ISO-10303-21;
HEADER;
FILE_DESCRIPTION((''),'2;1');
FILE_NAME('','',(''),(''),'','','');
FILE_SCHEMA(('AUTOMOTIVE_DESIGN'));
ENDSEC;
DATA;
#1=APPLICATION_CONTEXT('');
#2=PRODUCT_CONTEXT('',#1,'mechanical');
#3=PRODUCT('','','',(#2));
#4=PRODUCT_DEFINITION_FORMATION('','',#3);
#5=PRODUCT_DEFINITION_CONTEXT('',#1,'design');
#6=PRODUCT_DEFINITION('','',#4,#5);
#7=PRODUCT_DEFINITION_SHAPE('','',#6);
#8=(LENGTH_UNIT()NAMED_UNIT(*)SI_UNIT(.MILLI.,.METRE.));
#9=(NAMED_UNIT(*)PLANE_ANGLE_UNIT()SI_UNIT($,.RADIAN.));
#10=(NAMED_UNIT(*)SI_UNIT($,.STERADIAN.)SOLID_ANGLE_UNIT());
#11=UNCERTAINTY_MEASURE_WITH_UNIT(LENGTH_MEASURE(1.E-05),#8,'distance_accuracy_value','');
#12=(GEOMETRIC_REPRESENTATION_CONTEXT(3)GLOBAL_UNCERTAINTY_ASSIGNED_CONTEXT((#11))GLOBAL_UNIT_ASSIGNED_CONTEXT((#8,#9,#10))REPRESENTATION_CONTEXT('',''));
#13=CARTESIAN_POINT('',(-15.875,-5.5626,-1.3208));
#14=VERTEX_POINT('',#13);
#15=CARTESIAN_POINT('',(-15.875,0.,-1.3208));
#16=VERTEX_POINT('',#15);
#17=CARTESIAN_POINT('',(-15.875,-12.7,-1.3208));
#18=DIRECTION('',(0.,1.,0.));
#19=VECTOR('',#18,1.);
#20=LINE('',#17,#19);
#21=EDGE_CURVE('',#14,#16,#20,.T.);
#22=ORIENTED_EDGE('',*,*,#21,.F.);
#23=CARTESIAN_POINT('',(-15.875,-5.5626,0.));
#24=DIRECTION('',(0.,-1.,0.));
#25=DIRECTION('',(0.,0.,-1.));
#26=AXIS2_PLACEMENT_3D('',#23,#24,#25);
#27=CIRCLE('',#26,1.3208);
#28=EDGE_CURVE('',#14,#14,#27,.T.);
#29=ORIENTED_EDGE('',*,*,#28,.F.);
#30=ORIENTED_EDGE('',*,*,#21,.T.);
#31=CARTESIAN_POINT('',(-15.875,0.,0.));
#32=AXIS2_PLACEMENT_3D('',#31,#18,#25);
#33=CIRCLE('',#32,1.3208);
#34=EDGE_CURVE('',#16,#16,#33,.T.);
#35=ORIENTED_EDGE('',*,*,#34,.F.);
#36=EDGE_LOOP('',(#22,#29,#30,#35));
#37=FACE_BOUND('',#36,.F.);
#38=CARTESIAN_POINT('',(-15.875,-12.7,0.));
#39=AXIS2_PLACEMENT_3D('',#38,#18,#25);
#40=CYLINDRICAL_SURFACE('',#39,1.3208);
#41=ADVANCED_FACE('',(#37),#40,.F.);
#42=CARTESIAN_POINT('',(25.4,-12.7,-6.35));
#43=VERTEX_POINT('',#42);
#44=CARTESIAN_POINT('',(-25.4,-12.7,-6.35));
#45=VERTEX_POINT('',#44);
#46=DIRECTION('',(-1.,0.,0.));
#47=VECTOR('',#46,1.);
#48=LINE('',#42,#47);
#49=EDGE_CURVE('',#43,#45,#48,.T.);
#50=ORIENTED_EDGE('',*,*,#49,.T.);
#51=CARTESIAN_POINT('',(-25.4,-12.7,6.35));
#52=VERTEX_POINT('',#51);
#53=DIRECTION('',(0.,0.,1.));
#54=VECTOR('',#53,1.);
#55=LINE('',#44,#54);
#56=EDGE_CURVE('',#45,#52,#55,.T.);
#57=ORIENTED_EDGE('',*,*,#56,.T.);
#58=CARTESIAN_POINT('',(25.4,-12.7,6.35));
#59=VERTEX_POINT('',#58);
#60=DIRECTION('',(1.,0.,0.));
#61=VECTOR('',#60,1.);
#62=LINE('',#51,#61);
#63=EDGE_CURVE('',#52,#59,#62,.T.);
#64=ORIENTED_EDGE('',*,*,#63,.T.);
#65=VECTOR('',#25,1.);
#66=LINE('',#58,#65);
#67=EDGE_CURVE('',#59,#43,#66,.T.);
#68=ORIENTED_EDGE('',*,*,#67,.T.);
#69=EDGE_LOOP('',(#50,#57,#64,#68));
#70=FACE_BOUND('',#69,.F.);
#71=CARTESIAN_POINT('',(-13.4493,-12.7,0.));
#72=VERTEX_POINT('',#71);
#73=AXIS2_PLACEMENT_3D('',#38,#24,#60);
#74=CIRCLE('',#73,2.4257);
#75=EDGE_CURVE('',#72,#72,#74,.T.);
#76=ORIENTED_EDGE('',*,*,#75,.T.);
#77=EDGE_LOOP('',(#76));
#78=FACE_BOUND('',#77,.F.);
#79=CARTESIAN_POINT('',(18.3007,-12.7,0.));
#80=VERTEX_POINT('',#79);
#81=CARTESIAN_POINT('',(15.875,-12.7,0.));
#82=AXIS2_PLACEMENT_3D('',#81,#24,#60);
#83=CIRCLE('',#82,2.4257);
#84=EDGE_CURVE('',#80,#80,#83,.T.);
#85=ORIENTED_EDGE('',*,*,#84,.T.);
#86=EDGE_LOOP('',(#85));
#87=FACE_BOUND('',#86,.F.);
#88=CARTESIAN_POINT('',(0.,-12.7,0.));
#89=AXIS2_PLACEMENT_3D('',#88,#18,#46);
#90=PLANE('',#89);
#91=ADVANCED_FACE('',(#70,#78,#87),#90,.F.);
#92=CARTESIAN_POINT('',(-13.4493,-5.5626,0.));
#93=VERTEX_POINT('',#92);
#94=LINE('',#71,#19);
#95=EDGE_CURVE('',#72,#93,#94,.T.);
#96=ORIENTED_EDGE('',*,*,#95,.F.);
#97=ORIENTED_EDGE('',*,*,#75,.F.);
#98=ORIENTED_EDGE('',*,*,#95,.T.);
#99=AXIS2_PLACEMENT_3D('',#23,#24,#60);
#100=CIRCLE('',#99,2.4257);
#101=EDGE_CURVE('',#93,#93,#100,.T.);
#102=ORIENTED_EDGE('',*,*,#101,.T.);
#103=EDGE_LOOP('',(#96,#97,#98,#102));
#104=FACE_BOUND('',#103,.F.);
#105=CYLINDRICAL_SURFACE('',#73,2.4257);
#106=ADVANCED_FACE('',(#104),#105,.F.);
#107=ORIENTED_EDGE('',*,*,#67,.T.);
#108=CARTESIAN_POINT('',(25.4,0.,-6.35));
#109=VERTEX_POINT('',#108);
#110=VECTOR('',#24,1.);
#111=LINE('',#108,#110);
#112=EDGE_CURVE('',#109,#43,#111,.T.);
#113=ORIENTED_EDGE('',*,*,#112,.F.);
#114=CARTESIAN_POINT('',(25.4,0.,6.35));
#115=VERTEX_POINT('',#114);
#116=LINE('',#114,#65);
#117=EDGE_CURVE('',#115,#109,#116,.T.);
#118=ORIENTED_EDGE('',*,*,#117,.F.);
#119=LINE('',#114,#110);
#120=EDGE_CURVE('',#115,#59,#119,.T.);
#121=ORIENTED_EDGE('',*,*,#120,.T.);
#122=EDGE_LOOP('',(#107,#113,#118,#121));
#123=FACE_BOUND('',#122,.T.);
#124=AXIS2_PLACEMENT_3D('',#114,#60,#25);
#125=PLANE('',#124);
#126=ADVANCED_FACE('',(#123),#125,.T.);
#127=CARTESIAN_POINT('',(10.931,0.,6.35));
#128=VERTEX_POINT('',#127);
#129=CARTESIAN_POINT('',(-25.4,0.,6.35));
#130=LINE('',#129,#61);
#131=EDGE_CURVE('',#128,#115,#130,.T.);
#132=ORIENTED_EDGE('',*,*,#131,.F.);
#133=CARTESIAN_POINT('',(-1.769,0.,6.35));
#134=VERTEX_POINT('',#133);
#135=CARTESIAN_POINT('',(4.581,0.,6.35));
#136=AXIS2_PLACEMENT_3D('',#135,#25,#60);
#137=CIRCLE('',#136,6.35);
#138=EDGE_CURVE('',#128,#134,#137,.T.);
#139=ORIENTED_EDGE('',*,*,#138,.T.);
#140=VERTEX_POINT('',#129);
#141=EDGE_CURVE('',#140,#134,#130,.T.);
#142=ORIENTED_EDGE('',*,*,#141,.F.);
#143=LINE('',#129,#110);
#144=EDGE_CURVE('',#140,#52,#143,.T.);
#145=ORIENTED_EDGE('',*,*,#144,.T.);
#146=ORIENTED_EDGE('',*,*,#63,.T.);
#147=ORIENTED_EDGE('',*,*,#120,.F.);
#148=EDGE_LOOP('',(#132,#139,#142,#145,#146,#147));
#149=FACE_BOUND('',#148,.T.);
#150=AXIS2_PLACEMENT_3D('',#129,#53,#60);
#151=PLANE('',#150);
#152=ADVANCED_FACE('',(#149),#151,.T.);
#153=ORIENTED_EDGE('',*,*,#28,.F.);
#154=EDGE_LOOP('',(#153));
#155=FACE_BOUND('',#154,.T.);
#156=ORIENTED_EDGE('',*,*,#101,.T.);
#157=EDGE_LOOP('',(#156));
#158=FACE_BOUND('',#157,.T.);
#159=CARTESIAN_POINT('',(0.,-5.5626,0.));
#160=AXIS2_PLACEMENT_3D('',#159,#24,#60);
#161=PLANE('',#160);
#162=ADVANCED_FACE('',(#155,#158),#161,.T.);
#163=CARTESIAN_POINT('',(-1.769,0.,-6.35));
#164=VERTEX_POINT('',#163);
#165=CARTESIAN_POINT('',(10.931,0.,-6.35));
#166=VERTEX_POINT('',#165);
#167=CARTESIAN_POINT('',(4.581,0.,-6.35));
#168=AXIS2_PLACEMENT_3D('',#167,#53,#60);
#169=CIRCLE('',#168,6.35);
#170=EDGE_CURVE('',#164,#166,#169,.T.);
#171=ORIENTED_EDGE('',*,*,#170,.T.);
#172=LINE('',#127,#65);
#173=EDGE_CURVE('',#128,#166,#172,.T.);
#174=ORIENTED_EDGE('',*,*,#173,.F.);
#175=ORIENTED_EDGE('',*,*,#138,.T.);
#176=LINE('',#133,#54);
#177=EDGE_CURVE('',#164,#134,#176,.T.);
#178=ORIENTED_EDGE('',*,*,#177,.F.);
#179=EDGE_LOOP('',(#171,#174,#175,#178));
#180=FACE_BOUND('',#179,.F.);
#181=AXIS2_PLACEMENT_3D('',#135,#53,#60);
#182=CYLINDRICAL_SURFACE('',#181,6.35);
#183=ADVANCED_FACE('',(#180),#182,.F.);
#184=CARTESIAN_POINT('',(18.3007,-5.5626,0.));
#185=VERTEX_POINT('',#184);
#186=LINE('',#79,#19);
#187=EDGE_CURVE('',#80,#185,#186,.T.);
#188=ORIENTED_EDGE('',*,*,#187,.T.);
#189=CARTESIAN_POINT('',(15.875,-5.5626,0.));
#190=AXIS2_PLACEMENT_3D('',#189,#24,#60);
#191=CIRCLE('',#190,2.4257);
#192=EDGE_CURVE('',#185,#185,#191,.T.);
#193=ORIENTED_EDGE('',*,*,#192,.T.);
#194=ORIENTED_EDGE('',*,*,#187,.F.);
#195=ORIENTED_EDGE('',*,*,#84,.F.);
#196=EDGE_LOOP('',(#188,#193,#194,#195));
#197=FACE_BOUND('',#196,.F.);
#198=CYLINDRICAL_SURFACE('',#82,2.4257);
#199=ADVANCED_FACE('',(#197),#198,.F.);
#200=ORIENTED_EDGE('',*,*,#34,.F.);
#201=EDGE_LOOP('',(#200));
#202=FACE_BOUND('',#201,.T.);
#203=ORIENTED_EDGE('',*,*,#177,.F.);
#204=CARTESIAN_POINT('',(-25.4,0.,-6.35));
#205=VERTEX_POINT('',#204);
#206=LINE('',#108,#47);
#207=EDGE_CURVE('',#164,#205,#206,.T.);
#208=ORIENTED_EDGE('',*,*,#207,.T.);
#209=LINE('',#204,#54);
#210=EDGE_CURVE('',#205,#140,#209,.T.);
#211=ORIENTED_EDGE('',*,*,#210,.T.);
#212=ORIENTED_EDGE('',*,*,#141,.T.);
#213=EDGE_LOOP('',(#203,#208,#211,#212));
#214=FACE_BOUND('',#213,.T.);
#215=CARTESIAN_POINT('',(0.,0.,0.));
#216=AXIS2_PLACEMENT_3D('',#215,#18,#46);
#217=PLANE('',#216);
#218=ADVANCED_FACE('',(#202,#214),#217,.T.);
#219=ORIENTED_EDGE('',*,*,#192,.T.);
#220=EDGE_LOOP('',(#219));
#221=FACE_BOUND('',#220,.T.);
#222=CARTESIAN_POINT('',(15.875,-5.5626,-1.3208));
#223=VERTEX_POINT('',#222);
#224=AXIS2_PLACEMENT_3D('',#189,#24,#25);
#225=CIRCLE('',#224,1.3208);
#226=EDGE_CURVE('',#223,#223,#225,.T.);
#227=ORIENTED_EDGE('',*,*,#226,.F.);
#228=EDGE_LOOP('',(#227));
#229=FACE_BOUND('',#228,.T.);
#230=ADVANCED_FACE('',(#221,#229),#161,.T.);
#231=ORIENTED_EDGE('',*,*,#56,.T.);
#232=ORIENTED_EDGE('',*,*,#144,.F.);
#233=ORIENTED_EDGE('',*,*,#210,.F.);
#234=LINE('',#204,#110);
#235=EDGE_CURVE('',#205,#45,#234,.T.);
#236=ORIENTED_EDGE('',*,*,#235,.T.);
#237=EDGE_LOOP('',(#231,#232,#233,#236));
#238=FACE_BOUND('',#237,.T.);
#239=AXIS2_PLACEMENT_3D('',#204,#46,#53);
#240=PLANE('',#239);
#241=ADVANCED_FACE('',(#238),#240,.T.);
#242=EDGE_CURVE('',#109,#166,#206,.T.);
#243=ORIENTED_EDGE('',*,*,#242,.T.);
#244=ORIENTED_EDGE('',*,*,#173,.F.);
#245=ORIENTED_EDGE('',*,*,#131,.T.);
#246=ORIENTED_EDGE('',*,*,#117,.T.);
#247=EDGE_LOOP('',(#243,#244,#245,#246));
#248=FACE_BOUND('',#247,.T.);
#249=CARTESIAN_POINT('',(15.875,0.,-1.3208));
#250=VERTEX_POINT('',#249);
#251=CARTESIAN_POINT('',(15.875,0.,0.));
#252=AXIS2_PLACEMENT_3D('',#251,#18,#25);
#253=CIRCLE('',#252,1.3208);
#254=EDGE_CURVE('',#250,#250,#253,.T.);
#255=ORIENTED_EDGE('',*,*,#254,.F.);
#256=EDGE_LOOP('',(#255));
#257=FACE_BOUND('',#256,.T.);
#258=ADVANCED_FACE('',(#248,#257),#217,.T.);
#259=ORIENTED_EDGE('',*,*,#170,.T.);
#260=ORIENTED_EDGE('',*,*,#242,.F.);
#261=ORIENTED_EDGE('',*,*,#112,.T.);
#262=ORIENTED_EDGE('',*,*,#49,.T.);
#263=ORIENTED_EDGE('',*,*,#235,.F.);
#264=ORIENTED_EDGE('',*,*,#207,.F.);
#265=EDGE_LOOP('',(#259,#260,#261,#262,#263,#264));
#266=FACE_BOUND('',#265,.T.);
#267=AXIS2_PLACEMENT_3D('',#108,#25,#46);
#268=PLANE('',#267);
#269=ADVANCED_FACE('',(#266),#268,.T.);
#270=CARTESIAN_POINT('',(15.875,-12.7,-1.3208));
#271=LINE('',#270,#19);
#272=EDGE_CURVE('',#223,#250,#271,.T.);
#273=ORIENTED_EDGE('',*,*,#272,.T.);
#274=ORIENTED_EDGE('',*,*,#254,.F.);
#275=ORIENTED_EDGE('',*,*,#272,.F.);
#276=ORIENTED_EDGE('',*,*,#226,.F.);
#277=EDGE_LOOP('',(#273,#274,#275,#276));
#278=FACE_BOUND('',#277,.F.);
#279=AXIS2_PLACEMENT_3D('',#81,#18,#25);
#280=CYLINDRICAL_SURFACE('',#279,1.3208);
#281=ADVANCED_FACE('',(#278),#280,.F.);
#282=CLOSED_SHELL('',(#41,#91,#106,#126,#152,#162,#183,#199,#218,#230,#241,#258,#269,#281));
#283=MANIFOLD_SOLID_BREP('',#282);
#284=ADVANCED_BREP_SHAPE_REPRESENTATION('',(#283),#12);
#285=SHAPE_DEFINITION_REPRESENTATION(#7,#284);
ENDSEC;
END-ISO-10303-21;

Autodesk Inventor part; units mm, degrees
ref_plane "YZ Plane" through (0, 0, 0) normal (1, 0, 0) x (0, 1, 0)
ref_plane "XZ Plane" through (0, 0, 0) normal (0, 1, 0) x (-1, 0, 0)
ref_plane "XY Plane" through (0, 0, 0) normal (0, 0, 1) x (1, 0, 0)
sketch "Sketch1" plane through (0, 0, 0) normal (0, 1, 0) x (-1, 0, 0)
  line L0 (25.4, 6.35) -> (-25.4, 6.35)
  line L1 (-25.4, 6.35) -> (-25.4, -6.35)
  line L2 (-25.4, -6.35) -> (25.4, -6.35)
  line L3 (25.4, -6.35) -> (25.4, 6.35)
  line L4 (25.4, 6.35) -> (-25.4, -6.35) construction
  line L5 (-25.4, 6.35) -> (25.4, -6.35) construction
  point P0 (0, 0)
  dimension "d0" = 50.8
  dimension "d1" = 12.7
extrude "Extrusion1" add sketch "Sketch1" against normal blind 12.7
sketch "Sketch3" plane through (-25.4, 0, 6.35) normal (0, 0, 1) x (1, 0, 0)
  line L0 (0, 0) -> (50.8, 0) projected
  line L1 (0, 0) -> (0, -12.7) projected
  line L2 (50.8, -12.7) -> (0, -12.7) projected
  line L3 (50.8, 0) -> (50.8, -12.7) projected
  circle A0 centre (29.981, 0) radius 6.35 projected
  point P0 (25.4, 0)
extrude "Extrusion2" cut sketch "Sketch3" against normal through all contours A0 L0 | L0 A0
sketch "Sketch4" plane through (0, -12.7, 0) normal (0, -1, 0) x (1, 0, 0)
  line L0 (-25.4, 6.35) -> (-25.4, -6.35) construction
  line L1 (-25.4, 0) -> (25.4, 0) construction
  line L2 (25.4, -6.35) -> (25.4, 6.35) construction
  point P0 (0, 0)
  point P1 (-15.875, 0)
  point P2 (15.875, 0)
  dimension "d6" = 9.525
  dimension "d7" = 9.525
hole "Hole1" at (-15.875, -12.7, 0) at (15.875, -12.7, 0) direction (0, 1, 0) diameter 2.6416 end through all thread size "6-32 UNC" class "2B" standard "ANSI Unified Screw Threads"
sketch "Sketch7" plane through (0, -12.7, 0) normal (0, -1, 0) x (1, 0, 0)
  circle A0 centre (-15.875, 0) radius 1.3208 projected
  circle A1 centre (-15.875, 0) radius 2.4257
  circle A2 centre (15.875, 0) radius 1.3208 projected
  circle A3 centre (15.875, 0) radius 2.4257
  point P0 (0, 0)
  dimension "d18" = 4.8514
extrude "Extrusion4" cut sketch "Sketch7" against normal blind 7.1374
properties part number "HoldWormDrive"
